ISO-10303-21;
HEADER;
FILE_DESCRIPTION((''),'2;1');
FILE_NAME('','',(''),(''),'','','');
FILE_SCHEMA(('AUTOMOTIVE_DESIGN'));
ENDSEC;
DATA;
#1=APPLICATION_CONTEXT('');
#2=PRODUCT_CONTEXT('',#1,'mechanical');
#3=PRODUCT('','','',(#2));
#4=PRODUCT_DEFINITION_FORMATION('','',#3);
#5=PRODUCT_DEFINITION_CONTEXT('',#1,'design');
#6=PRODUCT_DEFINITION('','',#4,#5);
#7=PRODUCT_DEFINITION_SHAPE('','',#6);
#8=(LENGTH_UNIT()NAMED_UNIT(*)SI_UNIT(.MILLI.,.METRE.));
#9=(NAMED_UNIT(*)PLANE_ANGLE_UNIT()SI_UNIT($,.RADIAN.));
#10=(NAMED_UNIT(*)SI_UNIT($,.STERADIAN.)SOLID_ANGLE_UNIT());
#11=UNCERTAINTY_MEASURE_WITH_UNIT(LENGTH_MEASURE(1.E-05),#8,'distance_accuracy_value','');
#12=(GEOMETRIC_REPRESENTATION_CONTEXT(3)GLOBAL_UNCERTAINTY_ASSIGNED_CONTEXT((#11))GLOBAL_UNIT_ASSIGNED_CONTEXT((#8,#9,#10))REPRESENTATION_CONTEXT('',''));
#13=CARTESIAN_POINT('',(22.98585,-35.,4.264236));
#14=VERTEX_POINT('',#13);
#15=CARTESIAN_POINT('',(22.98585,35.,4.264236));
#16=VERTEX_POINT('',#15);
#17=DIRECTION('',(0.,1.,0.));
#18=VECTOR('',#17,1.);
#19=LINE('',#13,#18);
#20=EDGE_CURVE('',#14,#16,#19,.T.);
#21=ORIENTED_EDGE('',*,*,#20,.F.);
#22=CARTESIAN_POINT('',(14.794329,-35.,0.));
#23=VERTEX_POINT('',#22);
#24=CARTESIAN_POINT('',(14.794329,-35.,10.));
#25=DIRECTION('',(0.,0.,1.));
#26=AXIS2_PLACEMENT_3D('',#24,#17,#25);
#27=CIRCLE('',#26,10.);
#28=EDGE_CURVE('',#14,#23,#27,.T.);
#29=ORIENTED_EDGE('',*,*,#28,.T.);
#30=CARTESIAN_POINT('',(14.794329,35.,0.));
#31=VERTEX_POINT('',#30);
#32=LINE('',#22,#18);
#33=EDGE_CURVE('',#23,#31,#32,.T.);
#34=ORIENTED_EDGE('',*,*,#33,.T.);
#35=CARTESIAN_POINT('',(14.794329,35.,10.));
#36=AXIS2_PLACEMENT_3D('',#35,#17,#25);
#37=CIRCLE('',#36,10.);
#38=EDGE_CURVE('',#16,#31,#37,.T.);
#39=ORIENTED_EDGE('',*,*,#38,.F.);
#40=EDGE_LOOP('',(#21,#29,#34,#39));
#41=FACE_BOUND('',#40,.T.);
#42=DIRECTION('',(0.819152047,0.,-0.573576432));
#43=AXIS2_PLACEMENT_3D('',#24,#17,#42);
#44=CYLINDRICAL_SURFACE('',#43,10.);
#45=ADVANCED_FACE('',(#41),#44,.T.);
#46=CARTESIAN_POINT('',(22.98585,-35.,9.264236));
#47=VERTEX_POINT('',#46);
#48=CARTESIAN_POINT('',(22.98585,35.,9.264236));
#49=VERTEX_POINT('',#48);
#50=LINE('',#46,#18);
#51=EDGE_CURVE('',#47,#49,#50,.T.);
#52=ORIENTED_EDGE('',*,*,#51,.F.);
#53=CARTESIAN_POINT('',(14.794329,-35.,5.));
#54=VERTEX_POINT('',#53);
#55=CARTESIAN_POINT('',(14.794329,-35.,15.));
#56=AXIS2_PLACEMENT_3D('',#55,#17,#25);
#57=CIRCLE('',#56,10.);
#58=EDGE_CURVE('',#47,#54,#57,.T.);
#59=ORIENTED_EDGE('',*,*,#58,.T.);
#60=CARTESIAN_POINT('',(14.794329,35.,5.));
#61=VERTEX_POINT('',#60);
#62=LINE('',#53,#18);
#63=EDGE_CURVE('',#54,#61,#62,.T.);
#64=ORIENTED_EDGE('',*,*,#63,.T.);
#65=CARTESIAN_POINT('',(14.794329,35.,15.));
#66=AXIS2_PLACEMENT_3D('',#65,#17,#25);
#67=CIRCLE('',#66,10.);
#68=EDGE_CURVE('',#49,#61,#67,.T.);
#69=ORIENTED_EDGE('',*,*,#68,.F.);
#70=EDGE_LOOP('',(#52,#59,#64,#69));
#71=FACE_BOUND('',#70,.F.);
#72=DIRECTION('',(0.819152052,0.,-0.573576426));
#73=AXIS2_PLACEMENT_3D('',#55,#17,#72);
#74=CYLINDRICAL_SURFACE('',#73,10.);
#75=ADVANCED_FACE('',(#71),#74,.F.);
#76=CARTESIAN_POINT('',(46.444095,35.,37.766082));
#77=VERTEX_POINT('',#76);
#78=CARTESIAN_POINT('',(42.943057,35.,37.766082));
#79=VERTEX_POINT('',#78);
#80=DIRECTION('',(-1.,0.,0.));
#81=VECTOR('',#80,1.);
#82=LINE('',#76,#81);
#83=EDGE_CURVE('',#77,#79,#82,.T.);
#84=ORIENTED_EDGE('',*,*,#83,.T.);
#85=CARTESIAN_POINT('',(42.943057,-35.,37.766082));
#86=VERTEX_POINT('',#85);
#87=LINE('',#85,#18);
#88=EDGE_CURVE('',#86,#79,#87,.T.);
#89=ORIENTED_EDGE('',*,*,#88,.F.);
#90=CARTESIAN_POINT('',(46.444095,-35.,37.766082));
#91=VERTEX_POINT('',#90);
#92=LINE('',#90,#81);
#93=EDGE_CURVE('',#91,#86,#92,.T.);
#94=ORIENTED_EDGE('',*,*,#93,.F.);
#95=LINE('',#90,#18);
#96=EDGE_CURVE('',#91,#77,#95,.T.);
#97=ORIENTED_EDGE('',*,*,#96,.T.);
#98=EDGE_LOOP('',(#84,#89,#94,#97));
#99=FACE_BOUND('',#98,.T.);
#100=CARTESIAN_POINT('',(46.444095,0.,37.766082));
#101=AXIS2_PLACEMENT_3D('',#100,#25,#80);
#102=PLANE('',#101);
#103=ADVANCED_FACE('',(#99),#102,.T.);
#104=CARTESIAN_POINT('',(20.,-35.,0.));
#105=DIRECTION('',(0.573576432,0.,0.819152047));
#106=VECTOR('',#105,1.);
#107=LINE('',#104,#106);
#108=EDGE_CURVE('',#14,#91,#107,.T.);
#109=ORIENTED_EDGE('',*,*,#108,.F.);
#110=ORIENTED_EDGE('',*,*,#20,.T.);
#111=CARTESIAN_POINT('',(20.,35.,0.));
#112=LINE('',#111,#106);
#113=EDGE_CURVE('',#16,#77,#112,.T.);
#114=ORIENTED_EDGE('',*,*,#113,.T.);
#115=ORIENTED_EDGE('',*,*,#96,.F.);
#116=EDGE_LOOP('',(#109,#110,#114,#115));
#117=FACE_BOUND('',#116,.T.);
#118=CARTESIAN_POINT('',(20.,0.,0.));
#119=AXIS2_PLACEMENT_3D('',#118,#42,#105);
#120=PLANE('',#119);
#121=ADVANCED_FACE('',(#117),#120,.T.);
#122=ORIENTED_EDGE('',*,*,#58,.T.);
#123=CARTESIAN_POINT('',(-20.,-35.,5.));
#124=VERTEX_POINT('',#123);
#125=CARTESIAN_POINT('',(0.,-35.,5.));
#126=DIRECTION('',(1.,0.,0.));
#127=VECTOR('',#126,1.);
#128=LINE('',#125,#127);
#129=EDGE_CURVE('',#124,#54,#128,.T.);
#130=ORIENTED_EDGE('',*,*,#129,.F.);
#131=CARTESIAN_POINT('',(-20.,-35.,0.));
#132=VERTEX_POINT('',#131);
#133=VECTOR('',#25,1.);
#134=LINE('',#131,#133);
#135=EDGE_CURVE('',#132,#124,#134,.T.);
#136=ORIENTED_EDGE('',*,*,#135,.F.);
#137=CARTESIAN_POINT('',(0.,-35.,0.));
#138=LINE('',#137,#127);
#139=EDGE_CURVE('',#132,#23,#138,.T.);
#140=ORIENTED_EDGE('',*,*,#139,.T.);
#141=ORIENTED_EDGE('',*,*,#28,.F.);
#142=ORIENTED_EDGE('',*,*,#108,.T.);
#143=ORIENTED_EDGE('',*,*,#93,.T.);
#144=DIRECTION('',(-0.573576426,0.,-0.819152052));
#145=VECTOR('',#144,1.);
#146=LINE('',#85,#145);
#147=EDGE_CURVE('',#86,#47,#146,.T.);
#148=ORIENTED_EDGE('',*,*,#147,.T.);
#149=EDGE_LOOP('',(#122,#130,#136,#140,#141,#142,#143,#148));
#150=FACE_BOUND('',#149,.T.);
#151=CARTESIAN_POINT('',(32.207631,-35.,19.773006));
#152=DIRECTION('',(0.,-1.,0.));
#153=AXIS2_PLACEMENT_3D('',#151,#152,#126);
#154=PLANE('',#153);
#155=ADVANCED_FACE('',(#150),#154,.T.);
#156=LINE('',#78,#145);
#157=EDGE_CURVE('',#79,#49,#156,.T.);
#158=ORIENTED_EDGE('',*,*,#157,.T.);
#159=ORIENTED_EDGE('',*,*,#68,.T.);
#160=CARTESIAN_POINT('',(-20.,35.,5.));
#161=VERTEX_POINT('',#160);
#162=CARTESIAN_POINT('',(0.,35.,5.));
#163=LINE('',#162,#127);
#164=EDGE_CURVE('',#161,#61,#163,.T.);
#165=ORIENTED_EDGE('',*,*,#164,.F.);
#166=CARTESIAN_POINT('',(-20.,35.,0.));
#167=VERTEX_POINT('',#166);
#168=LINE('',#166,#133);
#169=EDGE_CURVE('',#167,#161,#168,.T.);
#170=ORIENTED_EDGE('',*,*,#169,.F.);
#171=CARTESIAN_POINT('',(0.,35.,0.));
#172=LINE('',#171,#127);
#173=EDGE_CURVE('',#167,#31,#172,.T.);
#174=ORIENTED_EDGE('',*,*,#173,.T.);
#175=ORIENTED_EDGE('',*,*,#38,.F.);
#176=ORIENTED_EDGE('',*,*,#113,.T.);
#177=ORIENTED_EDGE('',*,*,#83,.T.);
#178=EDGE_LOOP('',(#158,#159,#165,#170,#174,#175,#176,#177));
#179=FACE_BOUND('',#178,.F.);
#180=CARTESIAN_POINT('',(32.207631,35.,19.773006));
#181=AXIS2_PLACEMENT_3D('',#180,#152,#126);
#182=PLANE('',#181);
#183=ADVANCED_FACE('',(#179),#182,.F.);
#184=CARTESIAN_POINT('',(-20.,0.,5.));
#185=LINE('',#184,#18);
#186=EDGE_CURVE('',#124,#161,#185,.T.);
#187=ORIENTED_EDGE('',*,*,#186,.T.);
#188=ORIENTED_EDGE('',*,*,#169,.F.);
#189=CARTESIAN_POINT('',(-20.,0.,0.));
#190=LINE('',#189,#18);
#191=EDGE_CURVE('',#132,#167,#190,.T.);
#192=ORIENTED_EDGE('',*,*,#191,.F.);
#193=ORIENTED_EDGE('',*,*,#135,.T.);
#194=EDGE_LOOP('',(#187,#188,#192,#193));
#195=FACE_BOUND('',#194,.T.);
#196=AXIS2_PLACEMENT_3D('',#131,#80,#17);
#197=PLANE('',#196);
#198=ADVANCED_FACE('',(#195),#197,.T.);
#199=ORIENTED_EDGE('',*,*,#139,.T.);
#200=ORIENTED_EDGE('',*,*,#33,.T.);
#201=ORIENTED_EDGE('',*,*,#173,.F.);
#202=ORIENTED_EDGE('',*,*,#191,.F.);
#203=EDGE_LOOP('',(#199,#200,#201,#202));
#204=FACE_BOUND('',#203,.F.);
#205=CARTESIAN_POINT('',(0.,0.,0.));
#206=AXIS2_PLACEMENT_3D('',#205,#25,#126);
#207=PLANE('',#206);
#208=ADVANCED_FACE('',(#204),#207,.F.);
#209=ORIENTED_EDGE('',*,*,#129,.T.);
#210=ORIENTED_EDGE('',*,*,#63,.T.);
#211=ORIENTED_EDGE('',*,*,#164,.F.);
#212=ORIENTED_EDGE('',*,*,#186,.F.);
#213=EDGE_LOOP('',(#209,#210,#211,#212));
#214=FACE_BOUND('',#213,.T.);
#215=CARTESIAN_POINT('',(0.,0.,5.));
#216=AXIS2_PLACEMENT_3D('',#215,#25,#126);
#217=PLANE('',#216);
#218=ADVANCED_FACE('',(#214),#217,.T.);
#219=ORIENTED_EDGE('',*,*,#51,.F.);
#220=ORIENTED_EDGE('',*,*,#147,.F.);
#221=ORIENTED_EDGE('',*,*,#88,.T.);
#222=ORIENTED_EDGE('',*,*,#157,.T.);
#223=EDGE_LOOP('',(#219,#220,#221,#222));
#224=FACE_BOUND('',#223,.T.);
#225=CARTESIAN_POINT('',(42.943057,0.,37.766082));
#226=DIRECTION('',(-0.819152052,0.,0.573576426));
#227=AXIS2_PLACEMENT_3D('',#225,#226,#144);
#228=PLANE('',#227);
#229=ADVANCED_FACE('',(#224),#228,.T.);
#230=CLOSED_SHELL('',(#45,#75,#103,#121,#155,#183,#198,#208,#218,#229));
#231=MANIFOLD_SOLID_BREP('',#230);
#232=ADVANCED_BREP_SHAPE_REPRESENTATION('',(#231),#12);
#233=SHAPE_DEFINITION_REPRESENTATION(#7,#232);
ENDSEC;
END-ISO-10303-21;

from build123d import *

# Parameters (mm, degrees)
F0_W     = 40
F0_H     = 70
F1_DEPTH = 5
F3_DEPTH = 35
F4_R     = 10


with BuildPart() as f1:
    # F0 (on Top) → F1 (new body)
    with BuildSketch(Plane.XY):
        Rectangle(F0_W, F0_H)
    extrude(amount=F1_DEPTH)

    # F2 (on Front) → F3 (join, symmetric)
    with BuildSketch(Plane.XZ):
        Polygon((42.943057, 37.766082), (20, 5), (20, 0), (46.444095, 37.766082), align=None)
    extrude(amount=F3_DEPTH, both=True)

    # F4
    f4_edges = [f1.edges().sort_by_distance(p)[0] for p in [
        (20, 0, 5),
        (20, 0, 0),
    ]]
    fillet(f4_edges, radius=F4_R)


solid = f1.part
